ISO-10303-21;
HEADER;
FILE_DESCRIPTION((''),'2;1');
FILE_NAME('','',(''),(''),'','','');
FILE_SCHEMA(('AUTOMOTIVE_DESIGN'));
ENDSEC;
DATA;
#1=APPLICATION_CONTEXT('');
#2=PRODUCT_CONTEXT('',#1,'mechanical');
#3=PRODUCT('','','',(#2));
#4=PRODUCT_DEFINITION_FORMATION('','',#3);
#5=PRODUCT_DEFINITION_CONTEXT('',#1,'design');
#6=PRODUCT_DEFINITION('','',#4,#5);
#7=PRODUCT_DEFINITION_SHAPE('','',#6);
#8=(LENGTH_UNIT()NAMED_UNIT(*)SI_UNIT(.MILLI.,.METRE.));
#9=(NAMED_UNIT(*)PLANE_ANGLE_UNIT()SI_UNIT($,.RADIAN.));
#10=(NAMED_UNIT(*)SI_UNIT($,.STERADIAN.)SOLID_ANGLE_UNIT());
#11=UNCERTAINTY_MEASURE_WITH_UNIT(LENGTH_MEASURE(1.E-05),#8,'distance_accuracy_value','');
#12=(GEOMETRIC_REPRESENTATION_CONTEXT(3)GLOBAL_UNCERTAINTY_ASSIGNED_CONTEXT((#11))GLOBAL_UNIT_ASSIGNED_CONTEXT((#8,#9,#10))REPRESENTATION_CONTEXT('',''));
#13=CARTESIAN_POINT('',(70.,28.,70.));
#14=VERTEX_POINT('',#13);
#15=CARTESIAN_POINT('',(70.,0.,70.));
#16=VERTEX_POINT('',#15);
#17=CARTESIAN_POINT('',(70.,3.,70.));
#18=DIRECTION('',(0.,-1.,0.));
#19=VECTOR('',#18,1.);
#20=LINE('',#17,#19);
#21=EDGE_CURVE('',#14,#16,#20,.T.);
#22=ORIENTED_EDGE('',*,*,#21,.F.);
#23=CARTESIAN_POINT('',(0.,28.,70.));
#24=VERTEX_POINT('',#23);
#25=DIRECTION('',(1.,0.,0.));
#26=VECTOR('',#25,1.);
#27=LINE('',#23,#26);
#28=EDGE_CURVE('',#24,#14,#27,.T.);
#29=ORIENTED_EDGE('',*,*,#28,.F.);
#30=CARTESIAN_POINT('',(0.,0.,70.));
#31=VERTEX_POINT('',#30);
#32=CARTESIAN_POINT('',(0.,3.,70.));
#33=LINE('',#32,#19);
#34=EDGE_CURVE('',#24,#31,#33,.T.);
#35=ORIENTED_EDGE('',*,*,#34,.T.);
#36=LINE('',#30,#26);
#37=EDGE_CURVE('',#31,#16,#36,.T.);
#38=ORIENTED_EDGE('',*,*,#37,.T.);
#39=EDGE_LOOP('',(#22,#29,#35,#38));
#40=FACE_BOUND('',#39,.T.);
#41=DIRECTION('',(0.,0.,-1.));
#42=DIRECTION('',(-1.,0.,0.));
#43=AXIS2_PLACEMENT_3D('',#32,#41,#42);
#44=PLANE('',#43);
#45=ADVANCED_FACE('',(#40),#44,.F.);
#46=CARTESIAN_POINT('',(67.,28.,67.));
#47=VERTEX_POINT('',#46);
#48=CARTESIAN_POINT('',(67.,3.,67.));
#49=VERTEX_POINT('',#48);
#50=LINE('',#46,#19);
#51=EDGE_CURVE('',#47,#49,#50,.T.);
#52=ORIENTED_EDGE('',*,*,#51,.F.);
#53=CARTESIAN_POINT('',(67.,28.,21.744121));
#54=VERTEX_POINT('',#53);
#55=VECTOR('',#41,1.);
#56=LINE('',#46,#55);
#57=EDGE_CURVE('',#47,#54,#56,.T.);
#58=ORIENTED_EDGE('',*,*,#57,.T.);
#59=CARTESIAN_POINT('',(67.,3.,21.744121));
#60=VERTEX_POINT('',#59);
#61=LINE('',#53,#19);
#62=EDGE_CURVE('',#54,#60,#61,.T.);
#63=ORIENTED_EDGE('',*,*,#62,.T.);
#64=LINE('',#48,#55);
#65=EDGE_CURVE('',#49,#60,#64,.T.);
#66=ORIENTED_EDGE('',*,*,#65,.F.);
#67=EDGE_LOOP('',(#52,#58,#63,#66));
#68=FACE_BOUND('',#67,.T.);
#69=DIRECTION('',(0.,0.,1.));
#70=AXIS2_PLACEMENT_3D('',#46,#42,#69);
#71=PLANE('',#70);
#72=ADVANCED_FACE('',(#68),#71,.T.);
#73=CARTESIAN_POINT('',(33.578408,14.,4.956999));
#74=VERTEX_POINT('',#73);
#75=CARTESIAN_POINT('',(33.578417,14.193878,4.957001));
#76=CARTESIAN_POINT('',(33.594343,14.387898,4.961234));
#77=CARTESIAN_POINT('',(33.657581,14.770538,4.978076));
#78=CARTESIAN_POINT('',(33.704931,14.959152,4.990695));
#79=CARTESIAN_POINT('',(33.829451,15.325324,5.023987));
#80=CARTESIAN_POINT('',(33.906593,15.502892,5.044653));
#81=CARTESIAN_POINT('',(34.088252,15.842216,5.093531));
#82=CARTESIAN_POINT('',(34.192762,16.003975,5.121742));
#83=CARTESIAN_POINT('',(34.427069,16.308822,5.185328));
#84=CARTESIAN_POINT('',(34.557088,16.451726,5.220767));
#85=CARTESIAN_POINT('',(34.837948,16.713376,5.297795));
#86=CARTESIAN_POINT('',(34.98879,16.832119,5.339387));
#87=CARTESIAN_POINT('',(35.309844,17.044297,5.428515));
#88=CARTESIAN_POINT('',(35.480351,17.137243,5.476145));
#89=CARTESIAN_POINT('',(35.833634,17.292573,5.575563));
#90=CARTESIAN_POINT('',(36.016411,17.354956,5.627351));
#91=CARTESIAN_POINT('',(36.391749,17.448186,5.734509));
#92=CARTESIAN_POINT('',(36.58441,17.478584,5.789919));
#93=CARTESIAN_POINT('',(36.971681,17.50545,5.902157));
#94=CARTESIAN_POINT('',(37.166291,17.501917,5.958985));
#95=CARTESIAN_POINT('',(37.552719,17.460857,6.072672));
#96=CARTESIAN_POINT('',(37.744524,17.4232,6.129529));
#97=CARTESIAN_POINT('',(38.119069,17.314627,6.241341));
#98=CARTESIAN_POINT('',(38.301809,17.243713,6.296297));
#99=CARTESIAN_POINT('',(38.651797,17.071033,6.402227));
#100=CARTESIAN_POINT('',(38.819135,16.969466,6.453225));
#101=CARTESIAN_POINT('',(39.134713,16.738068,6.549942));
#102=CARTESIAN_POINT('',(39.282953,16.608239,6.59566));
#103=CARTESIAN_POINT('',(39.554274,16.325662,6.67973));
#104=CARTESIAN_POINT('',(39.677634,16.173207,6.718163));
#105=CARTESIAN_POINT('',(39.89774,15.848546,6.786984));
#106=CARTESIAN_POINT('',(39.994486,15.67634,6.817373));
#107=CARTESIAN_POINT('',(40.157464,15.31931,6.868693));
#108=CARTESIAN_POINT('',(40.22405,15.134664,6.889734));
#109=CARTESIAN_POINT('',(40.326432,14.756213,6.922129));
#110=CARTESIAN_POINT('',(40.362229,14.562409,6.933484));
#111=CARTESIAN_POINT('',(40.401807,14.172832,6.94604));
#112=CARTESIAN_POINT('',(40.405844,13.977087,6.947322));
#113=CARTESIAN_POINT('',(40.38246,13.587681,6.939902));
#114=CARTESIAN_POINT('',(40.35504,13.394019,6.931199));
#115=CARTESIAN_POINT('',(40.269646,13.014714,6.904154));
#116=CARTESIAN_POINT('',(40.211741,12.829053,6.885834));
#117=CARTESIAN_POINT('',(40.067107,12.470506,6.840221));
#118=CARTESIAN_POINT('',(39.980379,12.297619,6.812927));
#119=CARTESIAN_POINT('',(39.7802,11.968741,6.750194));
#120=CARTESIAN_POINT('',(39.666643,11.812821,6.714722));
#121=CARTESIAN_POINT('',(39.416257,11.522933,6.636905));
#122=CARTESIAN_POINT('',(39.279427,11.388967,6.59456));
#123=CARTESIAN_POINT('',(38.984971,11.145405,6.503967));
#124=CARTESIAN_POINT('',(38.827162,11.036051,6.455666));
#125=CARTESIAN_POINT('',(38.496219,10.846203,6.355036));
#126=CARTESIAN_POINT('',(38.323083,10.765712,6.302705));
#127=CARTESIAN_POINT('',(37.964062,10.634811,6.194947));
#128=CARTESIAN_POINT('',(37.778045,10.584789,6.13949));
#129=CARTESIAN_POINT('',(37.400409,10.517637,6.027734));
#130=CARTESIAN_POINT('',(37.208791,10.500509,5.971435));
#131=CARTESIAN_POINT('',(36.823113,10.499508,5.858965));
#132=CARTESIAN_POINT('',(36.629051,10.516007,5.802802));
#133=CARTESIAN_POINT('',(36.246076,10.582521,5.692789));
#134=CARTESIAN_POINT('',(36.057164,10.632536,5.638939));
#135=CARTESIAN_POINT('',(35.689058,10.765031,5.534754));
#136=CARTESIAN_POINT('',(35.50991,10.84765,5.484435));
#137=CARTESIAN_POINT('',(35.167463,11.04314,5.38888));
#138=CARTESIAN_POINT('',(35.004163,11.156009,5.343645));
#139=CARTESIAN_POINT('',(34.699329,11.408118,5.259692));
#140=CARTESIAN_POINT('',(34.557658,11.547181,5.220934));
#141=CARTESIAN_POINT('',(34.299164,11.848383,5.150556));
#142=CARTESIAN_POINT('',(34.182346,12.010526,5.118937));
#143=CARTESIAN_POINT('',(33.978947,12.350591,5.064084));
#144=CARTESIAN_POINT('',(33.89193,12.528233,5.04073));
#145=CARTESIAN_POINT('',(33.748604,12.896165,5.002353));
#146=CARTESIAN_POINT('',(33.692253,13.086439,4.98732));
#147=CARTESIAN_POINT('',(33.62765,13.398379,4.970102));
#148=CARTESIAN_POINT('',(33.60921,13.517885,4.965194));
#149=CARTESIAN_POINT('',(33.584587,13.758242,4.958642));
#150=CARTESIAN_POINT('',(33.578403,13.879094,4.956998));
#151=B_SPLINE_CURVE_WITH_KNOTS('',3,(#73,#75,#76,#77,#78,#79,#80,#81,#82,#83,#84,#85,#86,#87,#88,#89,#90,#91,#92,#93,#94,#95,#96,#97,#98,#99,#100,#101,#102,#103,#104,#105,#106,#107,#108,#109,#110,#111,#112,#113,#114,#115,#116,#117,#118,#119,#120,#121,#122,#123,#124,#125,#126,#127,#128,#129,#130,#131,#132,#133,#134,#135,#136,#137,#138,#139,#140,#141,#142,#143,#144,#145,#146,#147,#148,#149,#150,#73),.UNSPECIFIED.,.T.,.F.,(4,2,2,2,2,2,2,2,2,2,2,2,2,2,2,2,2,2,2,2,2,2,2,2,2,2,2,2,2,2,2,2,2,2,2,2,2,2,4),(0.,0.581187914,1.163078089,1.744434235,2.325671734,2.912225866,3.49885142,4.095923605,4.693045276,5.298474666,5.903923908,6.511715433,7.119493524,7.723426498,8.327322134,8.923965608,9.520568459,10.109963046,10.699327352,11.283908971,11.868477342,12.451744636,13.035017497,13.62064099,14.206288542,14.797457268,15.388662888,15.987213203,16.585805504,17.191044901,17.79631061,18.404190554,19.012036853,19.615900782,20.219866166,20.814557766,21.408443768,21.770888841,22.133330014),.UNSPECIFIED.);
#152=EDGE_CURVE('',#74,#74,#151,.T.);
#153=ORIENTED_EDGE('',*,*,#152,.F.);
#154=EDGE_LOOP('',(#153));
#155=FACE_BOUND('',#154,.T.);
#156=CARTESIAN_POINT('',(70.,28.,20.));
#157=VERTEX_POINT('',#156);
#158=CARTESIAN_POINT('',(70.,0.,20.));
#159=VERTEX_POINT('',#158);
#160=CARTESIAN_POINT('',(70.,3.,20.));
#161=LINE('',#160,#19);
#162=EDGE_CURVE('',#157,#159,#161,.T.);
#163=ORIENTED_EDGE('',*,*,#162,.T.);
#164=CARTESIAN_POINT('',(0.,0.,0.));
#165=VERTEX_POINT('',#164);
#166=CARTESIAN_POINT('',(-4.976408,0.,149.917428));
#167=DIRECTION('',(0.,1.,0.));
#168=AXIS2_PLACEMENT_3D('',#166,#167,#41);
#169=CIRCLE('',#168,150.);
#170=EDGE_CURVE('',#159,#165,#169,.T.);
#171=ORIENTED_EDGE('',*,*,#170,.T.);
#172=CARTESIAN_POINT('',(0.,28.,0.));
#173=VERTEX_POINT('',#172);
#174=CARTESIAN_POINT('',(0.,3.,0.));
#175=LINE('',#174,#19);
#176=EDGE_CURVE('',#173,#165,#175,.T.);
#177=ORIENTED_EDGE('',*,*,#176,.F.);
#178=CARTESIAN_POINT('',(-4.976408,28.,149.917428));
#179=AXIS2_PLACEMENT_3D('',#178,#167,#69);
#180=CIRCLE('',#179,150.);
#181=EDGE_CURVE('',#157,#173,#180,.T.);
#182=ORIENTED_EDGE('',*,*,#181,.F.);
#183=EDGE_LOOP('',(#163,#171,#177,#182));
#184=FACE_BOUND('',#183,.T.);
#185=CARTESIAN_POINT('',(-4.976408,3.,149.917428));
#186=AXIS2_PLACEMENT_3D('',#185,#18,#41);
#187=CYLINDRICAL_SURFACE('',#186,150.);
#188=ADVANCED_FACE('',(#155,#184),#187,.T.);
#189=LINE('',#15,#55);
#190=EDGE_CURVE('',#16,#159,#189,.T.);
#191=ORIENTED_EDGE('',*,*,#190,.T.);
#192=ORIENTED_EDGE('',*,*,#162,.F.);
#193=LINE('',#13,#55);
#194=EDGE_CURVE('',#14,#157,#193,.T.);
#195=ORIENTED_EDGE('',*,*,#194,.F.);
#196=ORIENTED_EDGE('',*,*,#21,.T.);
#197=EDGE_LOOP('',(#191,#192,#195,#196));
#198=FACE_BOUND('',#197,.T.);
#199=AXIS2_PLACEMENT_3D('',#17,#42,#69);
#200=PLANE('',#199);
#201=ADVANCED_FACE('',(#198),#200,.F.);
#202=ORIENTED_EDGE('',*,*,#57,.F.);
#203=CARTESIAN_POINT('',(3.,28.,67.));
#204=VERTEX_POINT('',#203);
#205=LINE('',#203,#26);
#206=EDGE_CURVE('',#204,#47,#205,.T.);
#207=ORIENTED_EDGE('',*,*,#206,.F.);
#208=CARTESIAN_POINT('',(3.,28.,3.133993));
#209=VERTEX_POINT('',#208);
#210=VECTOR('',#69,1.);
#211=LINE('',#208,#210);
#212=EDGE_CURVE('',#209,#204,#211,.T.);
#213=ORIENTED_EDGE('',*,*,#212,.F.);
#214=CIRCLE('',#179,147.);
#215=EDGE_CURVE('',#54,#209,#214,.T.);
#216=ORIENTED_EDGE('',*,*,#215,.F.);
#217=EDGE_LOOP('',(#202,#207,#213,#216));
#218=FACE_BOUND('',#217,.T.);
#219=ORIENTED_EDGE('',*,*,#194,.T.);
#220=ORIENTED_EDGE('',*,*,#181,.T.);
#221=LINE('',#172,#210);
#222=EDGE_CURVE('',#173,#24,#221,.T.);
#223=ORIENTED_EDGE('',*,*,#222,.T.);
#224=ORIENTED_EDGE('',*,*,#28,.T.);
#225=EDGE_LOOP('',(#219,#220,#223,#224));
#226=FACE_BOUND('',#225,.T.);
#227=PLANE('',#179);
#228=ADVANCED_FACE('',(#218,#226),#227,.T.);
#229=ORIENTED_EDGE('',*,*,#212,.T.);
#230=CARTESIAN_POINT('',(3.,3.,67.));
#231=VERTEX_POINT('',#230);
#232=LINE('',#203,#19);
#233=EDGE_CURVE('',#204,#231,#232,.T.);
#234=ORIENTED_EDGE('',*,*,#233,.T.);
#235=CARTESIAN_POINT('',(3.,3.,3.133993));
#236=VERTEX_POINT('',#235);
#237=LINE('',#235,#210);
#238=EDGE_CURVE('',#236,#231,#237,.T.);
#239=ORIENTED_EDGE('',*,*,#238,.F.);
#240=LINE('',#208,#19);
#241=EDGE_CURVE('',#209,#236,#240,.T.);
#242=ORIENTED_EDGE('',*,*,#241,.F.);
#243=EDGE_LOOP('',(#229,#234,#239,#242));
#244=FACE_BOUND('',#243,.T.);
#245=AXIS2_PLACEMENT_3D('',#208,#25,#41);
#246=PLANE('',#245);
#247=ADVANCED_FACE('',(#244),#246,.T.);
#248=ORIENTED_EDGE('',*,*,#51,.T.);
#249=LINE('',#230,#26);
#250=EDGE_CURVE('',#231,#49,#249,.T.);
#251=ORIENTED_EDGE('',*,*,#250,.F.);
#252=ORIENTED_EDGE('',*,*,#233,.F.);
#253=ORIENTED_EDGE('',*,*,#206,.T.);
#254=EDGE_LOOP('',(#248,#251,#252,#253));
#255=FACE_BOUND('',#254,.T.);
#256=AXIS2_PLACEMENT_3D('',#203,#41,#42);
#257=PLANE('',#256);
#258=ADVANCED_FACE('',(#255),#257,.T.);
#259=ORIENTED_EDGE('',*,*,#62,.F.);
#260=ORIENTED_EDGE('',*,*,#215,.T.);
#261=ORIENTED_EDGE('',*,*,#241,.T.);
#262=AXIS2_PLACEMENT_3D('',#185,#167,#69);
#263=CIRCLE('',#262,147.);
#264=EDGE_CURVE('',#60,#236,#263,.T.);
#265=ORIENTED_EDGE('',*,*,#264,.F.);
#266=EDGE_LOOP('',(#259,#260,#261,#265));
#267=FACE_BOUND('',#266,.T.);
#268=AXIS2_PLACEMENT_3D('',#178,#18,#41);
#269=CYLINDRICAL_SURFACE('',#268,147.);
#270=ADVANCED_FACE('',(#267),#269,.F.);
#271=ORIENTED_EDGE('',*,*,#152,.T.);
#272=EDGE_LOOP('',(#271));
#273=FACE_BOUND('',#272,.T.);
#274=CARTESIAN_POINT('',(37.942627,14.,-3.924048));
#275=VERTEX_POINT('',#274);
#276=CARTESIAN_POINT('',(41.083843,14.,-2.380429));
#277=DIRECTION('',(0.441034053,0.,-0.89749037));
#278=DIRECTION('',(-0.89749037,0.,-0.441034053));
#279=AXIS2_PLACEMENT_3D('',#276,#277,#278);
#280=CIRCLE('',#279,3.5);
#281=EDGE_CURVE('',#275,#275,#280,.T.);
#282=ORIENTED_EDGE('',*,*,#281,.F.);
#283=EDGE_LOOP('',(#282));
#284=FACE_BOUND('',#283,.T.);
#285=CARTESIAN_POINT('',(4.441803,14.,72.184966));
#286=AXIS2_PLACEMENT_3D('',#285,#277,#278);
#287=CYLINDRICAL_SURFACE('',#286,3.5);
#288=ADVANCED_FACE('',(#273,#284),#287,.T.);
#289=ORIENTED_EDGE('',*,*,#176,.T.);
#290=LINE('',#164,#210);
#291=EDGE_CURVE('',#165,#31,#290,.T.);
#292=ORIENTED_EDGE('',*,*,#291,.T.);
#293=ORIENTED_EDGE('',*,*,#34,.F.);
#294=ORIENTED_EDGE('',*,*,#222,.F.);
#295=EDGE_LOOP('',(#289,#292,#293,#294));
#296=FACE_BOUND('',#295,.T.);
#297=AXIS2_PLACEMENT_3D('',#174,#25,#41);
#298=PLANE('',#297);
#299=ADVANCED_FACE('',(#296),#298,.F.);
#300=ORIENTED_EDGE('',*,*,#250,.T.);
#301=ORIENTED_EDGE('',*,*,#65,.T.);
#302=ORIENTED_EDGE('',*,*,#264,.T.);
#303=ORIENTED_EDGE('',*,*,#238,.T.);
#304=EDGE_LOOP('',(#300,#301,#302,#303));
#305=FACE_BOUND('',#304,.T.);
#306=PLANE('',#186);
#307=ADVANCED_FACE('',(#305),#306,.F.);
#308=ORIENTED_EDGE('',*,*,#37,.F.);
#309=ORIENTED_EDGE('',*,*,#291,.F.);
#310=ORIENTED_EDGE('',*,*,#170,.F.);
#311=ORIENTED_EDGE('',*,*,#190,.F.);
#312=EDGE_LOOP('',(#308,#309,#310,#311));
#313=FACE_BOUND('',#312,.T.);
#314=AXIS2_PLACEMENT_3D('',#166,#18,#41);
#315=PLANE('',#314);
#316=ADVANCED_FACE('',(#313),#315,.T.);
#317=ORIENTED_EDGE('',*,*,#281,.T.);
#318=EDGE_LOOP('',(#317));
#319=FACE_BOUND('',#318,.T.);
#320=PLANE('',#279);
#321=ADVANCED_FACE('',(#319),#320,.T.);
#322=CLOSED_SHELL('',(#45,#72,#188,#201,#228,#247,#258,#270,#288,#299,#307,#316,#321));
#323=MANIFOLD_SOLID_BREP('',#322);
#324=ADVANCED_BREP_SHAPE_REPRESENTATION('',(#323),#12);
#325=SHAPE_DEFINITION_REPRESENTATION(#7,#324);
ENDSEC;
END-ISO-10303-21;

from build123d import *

# Parameters (mm, degrees)
BOSS_EXTRUDE2_DEPTH             = 3
BOSS_EXTRUDE3_DEPTH             = 25
SKETCH11_R                      = 3.5
BOSS_EXTRUDE5_DEPTH             = 7
BOSS_EXTRUDE5_DIRECTION_2_REACH = 85.256


with BuildPart() as part:
    # Sketch1 → Boss-Extrude2 (new body)
    with BuildSketch(Plane(origin=(0, 0, 0), x_dir=(1, 0, 0), z_dir=(0, 1, 0))):
        with BuildLine():
            Line((0, 0), (0, -70))
            Line((0, -70), (70, -70))
            Line((70, -70), (70, -20))
            ThreePointArc((70, -20), (36.231761047, -5.688836334), (0, 0))
        make_face()
    extrude(amount=BOSS_EXTRUDE2_DEPTH)

    # Sketch3 → Boss-Extrude3 (add)
    with BuildSketch(Plane(origin=(0, 3, 0), x_dir=(1, 0, 0), z_dir=(0, 1, 0))):
        with BuildLine():
            Line((70, -70), (70, -20))
            ThreePointArc((70, -20), (36.231761047, -5.688836334), (0, 0))
            Line((0, 0), (0, -70))
            Line((0, -70), (70, -70))
        make_face()
        with BuildLine():
            Line((3, -3.133993062), (3, -67))
            Line((3, -67), (67, -67))
            Line((67, -67), (67, -21.744121307))
            ThreePointArc((67, -21.744121307), (36.068657655, -8.763956776), (3, -3.133993062))
        make_face(mode=Mode.SUBTRACT)
    extrude(amount=BOSS_EXTRUDE3_DEPTH)

    # Sketch11 → Boss-Extrude5 (add)
    with BuildSketch(Plane(origin=(61.178699811, 14, 15.293872991), x_dir=(-0.8974903699241337, 0, -0.4410340529862085), z_dir=(0.4410340529862085, 0, -0.8974903699241337))):
        with Locations((25.829909239, 0)):
            Circle(SKETCH11_R)
    extrude(amount=BOSS_EXTRUDE5_DEPTH)

    # Sketch11 → Boss-Extrude5 direction 2 (add, up to next)
    with BuildSketch(Plane(origin=(61.178699811, 14, 15.293872991), x_dir=(-0.8974903699241337, 0, -0.4410340529862085), z_dir=(0.4410340529862085, 0, -0.8974903699241337)), mode=Mode.PRIVATE) as boss_extrude5_direction_2_sk1:
        with Locations((25.829909239, 0)):
            Circle(SKETCH11_R)
    boss_extrude5_direction_2_tool1 = extrude(boss_extrude5_direction_2_sk1.sketch, amount=-BOSS_EXTRUDE5_DIRECTION_2_REACH, mode=Mode.PRIVATE) - part.part
    add(boss_extrude5_direction_2_tool1.solids().sort_by_distance((37.996605, 14, 3.902003))[0])


solid = part.part
